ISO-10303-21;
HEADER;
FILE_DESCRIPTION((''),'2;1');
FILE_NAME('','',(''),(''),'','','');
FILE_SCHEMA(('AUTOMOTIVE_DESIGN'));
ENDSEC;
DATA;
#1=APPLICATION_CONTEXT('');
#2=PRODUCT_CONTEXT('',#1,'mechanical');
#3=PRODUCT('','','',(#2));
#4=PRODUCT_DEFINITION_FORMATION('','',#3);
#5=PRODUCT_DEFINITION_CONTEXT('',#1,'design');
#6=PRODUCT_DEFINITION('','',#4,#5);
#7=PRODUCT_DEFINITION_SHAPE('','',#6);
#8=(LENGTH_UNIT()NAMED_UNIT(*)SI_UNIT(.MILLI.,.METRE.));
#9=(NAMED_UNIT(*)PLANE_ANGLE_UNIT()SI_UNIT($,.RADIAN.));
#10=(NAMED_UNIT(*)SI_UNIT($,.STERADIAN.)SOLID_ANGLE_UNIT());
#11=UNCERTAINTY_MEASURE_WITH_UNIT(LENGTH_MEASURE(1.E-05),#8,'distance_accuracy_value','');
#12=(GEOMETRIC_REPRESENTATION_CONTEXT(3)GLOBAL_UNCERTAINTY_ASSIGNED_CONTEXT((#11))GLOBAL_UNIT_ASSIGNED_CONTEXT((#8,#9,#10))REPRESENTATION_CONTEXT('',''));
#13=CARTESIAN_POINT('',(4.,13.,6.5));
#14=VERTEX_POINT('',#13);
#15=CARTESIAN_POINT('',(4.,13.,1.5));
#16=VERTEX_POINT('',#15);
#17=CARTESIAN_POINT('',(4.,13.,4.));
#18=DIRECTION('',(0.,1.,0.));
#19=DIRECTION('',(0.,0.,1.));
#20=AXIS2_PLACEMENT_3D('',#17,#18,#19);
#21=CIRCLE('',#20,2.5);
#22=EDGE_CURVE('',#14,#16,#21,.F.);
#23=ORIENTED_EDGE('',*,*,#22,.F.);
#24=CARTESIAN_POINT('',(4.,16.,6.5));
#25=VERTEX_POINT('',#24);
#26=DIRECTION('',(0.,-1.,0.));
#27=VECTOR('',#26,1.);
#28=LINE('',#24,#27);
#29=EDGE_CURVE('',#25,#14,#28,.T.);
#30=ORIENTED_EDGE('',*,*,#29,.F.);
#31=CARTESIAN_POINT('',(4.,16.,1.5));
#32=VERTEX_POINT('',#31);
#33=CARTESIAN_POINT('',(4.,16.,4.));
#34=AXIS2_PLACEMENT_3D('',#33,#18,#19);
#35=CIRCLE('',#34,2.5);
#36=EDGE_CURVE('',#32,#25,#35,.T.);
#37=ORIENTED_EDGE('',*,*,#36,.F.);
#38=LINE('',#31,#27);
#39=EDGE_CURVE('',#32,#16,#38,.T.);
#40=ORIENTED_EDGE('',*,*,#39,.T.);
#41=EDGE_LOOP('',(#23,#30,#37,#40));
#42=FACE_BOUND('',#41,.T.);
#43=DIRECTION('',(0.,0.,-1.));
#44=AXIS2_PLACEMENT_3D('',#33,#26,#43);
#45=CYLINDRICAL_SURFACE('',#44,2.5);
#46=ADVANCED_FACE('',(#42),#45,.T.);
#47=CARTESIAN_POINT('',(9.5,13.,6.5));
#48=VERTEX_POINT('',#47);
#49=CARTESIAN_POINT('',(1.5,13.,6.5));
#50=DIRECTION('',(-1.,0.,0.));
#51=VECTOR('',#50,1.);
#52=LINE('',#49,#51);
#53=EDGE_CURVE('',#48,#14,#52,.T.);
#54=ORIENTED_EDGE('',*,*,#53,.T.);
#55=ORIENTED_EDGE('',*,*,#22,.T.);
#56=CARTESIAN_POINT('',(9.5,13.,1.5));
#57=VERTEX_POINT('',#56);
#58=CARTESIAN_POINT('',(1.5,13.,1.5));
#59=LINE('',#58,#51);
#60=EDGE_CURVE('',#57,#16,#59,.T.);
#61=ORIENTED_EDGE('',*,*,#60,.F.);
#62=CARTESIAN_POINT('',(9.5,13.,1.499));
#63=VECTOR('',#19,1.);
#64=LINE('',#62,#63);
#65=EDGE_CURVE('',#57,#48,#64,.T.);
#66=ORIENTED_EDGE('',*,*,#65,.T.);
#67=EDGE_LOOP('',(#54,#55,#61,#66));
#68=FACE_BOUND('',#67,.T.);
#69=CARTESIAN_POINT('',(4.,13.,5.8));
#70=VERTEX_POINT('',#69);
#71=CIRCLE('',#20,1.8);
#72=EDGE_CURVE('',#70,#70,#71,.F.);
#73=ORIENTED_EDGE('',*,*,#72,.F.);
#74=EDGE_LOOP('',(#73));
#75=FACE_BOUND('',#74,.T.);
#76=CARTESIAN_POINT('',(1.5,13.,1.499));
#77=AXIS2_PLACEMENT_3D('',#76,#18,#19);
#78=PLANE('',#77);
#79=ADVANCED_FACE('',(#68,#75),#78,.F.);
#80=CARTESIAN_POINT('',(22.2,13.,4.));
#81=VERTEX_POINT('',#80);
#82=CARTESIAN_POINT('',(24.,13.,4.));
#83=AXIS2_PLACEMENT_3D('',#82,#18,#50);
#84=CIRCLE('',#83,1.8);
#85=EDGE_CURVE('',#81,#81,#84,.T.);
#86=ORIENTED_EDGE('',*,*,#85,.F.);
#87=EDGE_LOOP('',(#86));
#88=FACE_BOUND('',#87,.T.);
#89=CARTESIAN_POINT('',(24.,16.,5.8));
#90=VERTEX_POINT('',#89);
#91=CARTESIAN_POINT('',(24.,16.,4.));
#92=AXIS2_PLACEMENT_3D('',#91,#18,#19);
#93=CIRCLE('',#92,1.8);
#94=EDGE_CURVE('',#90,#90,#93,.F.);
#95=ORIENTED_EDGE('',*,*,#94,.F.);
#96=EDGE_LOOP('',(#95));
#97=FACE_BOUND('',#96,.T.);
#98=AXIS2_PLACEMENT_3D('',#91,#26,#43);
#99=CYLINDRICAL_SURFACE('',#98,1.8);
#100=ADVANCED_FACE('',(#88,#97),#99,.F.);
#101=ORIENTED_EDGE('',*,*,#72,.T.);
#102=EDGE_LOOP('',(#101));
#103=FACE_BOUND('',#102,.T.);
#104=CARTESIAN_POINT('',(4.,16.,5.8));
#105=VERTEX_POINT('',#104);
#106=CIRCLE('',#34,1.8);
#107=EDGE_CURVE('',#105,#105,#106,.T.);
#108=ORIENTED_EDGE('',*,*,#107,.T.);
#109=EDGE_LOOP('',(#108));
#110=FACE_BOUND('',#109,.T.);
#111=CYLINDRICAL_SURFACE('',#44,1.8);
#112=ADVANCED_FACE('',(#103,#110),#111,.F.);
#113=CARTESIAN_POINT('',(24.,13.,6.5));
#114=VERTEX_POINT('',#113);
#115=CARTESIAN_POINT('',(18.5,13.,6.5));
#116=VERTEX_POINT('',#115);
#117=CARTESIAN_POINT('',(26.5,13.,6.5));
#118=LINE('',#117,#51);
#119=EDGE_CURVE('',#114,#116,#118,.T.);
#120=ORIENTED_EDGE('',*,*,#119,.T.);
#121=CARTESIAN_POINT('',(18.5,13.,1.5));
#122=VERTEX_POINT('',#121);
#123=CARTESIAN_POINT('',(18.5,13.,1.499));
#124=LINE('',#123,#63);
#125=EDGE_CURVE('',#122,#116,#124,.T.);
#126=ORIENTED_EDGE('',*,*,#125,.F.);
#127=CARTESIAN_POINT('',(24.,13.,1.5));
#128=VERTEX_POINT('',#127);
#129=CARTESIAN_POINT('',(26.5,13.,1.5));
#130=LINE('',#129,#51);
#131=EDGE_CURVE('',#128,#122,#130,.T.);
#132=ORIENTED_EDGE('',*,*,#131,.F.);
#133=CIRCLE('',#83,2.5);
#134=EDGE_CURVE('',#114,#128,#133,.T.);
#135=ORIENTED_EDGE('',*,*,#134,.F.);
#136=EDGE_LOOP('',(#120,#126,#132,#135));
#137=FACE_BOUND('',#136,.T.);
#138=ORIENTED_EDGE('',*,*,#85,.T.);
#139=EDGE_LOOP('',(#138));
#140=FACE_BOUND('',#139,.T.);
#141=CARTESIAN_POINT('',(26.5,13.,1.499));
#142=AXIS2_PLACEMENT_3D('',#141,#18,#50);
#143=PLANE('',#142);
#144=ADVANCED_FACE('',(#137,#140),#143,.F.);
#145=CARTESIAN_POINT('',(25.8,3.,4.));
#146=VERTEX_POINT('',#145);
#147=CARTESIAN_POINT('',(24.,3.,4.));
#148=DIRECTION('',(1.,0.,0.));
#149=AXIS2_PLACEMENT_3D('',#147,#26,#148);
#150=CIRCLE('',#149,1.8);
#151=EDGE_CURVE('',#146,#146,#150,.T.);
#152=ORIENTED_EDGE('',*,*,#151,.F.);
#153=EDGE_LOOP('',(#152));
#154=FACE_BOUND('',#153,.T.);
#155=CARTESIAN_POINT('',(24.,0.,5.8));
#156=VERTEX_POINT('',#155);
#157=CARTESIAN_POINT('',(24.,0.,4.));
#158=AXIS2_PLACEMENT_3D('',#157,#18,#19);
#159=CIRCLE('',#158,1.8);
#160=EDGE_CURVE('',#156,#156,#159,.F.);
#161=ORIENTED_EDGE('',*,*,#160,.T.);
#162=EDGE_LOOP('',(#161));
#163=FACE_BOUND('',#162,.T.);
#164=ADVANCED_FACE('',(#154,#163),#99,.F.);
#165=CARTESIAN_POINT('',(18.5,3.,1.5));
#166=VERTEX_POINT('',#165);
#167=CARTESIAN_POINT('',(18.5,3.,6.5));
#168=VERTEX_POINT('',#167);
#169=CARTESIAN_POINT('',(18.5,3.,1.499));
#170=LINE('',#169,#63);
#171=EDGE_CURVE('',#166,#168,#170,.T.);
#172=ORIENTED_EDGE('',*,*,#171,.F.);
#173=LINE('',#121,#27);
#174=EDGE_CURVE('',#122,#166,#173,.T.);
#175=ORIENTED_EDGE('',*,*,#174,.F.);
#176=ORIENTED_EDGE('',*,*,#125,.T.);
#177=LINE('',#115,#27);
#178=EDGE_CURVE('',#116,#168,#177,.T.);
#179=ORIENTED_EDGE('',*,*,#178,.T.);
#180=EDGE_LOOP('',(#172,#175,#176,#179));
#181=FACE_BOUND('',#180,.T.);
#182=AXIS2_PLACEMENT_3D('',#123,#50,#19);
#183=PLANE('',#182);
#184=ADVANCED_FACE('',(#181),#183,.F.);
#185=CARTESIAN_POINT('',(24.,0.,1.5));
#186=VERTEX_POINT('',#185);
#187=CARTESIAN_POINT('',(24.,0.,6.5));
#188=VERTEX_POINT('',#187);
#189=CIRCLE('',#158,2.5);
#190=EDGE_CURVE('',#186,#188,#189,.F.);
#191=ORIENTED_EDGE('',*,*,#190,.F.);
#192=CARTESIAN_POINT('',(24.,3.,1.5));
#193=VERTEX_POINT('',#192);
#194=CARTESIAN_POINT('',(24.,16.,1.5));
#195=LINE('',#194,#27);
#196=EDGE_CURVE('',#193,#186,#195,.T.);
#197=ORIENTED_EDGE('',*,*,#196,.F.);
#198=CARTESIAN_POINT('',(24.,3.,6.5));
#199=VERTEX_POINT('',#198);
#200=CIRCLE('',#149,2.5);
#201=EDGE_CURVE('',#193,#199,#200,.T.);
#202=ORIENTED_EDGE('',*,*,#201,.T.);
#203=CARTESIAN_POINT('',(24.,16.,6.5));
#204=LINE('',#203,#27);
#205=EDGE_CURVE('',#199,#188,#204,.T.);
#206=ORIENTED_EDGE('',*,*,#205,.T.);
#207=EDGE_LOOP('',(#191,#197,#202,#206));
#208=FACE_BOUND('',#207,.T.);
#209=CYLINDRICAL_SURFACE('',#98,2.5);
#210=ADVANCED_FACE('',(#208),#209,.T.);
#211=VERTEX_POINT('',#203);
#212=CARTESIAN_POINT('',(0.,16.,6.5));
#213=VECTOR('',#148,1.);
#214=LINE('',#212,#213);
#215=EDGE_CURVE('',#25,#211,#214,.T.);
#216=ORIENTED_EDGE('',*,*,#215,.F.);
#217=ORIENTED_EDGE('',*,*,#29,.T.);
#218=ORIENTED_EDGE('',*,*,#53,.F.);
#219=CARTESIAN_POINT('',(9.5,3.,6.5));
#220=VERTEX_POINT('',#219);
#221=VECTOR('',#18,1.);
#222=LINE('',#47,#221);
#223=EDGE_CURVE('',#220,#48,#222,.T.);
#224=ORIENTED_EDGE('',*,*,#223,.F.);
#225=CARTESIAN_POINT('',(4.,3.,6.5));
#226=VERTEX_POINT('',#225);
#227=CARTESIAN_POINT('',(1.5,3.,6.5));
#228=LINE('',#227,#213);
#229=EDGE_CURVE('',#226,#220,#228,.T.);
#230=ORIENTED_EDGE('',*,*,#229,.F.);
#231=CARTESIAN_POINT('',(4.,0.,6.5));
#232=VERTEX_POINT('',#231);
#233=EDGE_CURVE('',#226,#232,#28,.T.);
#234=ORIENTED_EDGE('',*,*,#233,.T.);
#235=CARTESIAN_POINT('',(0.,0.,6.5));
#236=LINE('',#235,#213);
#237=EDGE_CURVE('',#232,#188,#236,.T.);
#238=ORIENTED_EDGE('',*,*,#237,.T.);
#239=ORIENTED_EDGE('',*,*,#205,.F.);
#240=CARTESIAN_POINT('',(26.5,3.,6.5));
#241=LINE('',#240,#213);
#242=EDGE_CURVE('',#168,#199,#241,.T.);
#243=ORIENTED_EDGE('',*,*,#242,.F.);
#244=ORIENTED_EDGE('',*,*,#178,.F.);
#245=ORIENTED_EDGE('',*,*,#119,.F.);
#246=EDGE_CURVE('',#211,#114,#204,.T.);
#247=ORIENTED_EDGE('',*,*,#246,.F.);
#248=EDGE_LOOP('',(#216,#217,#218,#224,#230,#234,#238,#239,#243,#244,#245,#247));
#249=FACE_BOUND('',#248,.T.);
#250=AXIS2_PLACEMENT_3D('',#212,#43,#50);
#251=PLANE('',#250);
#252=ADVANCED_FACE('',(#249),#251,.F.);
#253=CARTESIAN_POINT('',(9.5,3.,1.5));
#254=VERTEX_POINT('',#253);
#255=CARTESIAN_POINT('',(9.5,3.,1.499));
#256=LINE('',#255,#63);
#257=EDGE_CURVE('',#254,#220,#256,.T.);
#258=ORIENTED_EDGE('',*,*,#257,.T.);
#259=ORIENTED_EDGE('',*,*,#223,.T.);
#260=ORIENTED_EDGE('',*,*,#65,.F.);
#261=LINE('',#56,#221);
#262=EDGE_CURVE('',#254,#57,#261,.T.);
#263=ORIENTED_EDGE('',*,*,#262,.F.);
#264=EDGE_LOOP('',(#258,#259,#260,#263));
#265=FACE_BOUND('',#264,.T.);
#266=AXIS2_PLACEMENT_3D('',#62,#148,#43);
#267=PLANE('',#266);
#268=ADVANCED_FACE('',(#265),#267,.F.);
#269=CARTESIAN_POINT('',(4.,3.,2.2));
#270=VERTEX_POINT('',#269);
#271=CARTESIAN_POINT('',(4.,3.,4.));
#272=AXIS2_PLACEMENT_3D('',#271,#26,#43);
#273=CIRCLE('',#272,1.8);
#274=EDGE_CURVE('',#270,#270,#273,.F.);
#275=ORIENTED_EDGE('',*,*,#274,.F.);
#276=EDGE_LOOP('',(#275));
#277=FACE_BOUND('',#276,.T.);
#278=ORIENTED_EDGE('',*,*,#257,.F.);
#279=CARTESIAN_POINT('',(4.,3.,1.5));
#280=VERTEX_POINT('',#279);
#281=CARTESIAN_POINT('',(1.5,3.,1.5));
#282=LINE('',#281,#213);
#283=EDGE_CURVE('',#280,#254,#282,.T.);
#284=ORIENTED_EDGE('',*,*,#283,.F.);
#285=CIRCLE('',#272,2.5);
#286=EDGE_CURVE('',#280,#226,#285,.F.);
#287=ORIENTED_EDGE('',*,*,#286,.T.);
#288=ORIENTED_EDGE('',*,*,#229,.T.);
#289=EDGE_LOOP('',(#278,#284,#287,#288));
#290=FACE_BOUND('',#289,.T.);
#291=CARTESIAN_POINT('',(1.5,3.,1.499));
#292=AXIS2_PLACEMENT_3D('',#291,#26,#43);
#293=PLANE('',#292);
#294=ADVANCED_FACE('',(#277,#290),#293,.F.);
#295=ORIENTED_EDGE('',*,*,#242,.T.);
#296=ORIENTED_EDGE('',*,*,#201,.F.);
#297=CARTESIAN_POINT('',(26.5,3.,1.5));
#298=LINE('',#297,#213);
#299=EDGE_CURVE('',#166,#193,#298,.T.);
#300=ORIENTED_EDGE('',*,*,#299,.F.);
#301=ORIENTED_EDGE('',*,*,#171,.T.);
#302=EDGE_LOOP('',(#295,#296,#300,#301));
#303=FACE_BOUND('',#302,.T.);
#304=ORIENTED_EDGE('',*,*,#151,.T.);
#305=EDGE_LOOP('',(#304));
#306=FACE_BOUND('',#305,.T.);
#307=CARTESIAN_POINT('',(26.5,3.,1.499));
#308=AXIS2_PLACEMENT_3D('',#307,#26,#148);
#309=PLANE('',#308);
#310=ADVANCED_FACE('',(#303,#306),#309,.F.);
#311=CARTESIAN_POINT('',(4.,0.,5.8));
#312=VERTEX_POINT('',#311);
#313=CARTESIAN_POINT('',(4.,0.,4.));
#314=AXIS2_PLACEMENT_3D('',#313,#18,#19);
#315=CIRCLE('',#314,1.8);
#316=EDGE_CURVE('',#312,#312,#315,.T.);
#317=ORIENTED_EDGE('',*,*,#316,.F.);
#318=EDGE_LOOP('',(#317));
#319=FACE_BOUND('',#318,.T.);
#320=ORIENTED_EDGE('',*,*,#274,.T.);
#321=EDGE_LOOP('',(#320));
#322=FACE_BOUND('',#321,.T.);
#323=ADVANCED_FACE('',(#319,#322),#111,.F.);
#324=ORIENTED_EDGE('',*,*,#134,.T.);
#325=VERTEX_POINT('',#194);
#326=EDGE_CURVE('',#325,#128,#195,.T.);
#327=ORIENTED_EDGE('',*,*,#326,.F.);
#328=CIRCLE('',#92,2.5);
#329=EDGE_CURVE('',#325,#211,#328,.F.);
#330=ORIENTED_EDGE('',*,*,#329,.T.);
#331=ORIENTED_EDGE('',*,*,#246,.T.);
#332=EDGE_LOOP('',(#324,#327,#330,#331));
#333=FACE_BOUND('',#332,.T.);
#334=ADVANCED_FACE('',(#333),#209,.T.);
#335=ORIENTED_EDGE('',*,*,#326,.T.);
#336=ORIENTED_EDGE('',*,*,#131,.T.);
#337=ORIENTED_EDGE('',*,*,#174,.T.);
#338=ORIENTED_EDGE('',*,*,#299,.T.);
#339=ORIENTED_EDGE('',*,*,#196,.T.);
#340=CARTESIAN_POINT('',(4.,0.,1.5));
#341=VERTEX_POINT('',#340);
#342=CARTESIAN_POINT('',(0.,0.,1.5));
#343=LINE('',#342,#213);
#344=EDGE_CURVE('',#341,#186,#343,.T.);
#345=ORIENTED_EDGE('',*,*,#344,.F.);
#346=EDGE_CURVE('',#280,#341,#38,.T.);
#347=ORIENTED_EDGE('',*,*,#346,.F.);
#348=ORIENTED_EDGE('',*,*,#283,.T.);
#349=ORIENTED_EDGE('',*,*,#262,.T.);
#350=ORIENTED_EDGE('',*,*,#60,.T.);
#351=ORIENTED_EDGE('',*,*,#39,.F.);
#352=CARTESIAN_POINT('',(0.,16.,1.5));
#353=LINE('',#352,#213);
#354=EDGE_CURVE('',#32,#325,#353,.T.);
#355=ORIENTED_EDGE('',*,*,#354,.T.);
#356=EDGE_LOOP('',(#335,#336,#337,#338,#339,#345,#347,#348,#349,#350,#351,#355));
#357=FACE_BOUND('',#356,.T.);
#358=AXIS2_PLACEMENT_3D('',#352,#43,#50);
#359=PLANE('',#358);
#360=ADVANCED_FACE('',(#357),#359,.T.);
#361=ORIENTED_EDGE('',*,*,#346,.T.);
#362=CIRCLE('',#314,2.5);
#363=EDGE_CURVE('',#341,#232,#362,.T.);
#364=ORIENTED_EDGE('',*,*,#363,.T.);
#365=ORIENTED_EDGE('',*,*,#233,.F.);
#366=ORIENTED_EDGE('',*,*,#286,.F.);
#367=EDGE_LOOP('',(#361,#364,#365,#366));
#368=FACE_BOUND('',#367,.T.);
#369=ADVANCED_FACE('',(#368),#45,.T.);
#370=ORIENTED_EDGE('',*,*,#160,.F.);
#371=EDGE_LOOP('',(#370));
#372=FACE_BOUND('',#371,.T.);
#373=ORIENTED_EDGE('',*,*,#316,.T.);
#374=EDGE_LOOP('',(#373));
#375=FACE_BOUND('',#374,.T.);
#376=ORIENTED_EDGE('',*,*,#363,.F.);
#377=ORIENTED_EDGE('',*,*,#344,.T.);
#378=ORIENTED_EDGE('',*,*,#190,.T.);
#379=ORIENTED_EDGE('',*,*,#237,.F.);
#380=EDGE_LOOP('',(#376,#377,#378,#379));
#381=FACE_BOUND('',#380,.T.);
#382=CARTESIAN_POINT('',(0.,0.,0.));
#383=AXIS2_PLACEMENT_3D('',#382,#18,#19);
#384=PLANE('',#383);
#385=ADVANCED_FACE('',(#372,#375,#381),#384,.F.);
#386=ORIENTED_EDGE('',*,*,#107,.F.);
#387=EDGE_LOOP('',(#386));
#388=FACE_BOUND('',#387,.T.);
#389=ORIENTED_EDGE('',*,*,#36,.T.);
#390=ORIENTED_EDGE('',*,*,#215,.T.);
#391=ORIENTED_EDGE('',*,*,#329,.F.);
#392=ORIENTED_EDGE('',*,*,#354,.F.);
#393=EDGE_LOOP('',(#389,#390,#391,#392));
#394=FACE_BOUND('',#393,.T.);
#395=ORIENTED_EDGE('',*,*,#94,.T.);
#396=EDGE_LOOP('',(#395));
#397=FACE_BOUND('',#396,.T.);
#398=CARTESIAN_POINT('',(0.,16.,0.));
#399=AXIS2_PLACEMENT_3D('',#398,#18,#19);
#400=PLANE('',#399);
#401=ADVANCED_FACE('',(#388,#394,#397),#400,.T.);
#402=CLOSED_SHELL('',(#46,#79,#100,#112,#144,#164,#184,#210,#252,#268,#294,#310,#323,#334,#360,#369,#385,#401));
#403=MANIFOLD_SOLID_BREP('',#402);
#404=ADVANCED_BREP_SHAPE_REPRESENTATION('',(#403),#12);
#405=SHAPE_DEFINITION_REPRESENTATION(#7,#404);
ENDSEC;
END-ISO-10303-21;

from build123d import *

# Parameters (mm, degrees)
SKETCH_1_R          = 2.5
SKETCH_1_R_2        = 1.8
EXTRUDE_1_DEPTH     = 16
CUT_EXTRUDE_1_REACH = 33.357
SKETCH_2_W          = 8
SKETCH_2_H          = 10


with BuildPart() as part:
    # 草图1 → 凸台-拉伸1 (new body)
    # profile 1 of 3: a face of its own
    with BuildSketch(Plane(origin=(0, 0, 0), x_dir=(1, 0, 0), z_dir=(0, 1, 0))):
        with BuildLine():
            Line((24, -1.5), (4, -1.5))
            ThreePointArc((4, -1.5), (5.767766953, -2.232233047), (6.5, -4))
            ThreePointArc((6.5, -4), (5.767766953, -5.767766953), (4, -6.5))
            Line((4, -6.5), (24, -6.5))
            ThreePointArc((24, -6.5), (21.5, -4), (24, -1.5))
        make_face()
    # profile 2 of 3: a face of its own
    with BuildSketch(Plane(origin=(0, 0, 0), x_dir=(1, 0, 0), z_dir=(0, 1, 0))):
        with Locations((4, -4)):
            Circle(SKETCH_1_R)
        with Locations(Location((4, -4, 0), (0, 0, 270))):
            Circle(SKETCH_1_R_2, mode=Mode.SUBTRACT)
    # profile 3 of 3: a face of its own
    with BuildSketch(Plane(origin=(0, 0, 0), x_dir=(1, 0, 0), z_dir=(0, 1, 0))):
        with Locations((24, -4)):
            Circle(SKETCH_1_R)
        with Locations(Location((24, -4, 0), (0, 0, 270))):
            Circle(SKETCH_1_R_2, mode=Mode.SUBTRACT)
    extrude(amount=EXTRUDE_1_DEPTH)

    # 草图2 → 切除-拉伸1 (cut, up to next)
    with BuildSketch(Plane.XY.offset(6.5), mode=Mode.PRIVATE) as cut_extrude_1_sk1:
        with Locations((22.5, 8)):
            Rectangle(SKETCH_2_W, SKETCH_2_H)
    cut_extrude_1_tool1 = extrude(cut_extrude_1_sk1.sketch, amount=-CUT_EXTRUDE_1_REACH, mode=Mode.PRIVATE) & part.part
    # 草图2 → 切除-拉伸1 (cut, up to next)
    with BuildSketch(Plane.XY.offset(6.5), mode=Mode.PRIVATE) as cut_extrude_1_sk2:
        with Locations((5.5, 8)):
            Rectangle(SKETCH_2_W, SKETCH_2_H)
    cut_extrude_1_tool2 = extrude(cut_extrude_1_sk2.sketch, amount=-CUT_EXTRUDE_1_REACH, mode=Mode.PRIVATE) & part.part
    add(cut_extrude_1_tool1.solids().sort_by_distance((22.5, 8, 6.5))[0], mode=Mode.SUBTRACT)
    add(cut_extrude_1_tool2.solids().sort_by_distance((5.5, 8, 6.5))[0], mode=Mode.SUBTRACT)


solid = part.part
